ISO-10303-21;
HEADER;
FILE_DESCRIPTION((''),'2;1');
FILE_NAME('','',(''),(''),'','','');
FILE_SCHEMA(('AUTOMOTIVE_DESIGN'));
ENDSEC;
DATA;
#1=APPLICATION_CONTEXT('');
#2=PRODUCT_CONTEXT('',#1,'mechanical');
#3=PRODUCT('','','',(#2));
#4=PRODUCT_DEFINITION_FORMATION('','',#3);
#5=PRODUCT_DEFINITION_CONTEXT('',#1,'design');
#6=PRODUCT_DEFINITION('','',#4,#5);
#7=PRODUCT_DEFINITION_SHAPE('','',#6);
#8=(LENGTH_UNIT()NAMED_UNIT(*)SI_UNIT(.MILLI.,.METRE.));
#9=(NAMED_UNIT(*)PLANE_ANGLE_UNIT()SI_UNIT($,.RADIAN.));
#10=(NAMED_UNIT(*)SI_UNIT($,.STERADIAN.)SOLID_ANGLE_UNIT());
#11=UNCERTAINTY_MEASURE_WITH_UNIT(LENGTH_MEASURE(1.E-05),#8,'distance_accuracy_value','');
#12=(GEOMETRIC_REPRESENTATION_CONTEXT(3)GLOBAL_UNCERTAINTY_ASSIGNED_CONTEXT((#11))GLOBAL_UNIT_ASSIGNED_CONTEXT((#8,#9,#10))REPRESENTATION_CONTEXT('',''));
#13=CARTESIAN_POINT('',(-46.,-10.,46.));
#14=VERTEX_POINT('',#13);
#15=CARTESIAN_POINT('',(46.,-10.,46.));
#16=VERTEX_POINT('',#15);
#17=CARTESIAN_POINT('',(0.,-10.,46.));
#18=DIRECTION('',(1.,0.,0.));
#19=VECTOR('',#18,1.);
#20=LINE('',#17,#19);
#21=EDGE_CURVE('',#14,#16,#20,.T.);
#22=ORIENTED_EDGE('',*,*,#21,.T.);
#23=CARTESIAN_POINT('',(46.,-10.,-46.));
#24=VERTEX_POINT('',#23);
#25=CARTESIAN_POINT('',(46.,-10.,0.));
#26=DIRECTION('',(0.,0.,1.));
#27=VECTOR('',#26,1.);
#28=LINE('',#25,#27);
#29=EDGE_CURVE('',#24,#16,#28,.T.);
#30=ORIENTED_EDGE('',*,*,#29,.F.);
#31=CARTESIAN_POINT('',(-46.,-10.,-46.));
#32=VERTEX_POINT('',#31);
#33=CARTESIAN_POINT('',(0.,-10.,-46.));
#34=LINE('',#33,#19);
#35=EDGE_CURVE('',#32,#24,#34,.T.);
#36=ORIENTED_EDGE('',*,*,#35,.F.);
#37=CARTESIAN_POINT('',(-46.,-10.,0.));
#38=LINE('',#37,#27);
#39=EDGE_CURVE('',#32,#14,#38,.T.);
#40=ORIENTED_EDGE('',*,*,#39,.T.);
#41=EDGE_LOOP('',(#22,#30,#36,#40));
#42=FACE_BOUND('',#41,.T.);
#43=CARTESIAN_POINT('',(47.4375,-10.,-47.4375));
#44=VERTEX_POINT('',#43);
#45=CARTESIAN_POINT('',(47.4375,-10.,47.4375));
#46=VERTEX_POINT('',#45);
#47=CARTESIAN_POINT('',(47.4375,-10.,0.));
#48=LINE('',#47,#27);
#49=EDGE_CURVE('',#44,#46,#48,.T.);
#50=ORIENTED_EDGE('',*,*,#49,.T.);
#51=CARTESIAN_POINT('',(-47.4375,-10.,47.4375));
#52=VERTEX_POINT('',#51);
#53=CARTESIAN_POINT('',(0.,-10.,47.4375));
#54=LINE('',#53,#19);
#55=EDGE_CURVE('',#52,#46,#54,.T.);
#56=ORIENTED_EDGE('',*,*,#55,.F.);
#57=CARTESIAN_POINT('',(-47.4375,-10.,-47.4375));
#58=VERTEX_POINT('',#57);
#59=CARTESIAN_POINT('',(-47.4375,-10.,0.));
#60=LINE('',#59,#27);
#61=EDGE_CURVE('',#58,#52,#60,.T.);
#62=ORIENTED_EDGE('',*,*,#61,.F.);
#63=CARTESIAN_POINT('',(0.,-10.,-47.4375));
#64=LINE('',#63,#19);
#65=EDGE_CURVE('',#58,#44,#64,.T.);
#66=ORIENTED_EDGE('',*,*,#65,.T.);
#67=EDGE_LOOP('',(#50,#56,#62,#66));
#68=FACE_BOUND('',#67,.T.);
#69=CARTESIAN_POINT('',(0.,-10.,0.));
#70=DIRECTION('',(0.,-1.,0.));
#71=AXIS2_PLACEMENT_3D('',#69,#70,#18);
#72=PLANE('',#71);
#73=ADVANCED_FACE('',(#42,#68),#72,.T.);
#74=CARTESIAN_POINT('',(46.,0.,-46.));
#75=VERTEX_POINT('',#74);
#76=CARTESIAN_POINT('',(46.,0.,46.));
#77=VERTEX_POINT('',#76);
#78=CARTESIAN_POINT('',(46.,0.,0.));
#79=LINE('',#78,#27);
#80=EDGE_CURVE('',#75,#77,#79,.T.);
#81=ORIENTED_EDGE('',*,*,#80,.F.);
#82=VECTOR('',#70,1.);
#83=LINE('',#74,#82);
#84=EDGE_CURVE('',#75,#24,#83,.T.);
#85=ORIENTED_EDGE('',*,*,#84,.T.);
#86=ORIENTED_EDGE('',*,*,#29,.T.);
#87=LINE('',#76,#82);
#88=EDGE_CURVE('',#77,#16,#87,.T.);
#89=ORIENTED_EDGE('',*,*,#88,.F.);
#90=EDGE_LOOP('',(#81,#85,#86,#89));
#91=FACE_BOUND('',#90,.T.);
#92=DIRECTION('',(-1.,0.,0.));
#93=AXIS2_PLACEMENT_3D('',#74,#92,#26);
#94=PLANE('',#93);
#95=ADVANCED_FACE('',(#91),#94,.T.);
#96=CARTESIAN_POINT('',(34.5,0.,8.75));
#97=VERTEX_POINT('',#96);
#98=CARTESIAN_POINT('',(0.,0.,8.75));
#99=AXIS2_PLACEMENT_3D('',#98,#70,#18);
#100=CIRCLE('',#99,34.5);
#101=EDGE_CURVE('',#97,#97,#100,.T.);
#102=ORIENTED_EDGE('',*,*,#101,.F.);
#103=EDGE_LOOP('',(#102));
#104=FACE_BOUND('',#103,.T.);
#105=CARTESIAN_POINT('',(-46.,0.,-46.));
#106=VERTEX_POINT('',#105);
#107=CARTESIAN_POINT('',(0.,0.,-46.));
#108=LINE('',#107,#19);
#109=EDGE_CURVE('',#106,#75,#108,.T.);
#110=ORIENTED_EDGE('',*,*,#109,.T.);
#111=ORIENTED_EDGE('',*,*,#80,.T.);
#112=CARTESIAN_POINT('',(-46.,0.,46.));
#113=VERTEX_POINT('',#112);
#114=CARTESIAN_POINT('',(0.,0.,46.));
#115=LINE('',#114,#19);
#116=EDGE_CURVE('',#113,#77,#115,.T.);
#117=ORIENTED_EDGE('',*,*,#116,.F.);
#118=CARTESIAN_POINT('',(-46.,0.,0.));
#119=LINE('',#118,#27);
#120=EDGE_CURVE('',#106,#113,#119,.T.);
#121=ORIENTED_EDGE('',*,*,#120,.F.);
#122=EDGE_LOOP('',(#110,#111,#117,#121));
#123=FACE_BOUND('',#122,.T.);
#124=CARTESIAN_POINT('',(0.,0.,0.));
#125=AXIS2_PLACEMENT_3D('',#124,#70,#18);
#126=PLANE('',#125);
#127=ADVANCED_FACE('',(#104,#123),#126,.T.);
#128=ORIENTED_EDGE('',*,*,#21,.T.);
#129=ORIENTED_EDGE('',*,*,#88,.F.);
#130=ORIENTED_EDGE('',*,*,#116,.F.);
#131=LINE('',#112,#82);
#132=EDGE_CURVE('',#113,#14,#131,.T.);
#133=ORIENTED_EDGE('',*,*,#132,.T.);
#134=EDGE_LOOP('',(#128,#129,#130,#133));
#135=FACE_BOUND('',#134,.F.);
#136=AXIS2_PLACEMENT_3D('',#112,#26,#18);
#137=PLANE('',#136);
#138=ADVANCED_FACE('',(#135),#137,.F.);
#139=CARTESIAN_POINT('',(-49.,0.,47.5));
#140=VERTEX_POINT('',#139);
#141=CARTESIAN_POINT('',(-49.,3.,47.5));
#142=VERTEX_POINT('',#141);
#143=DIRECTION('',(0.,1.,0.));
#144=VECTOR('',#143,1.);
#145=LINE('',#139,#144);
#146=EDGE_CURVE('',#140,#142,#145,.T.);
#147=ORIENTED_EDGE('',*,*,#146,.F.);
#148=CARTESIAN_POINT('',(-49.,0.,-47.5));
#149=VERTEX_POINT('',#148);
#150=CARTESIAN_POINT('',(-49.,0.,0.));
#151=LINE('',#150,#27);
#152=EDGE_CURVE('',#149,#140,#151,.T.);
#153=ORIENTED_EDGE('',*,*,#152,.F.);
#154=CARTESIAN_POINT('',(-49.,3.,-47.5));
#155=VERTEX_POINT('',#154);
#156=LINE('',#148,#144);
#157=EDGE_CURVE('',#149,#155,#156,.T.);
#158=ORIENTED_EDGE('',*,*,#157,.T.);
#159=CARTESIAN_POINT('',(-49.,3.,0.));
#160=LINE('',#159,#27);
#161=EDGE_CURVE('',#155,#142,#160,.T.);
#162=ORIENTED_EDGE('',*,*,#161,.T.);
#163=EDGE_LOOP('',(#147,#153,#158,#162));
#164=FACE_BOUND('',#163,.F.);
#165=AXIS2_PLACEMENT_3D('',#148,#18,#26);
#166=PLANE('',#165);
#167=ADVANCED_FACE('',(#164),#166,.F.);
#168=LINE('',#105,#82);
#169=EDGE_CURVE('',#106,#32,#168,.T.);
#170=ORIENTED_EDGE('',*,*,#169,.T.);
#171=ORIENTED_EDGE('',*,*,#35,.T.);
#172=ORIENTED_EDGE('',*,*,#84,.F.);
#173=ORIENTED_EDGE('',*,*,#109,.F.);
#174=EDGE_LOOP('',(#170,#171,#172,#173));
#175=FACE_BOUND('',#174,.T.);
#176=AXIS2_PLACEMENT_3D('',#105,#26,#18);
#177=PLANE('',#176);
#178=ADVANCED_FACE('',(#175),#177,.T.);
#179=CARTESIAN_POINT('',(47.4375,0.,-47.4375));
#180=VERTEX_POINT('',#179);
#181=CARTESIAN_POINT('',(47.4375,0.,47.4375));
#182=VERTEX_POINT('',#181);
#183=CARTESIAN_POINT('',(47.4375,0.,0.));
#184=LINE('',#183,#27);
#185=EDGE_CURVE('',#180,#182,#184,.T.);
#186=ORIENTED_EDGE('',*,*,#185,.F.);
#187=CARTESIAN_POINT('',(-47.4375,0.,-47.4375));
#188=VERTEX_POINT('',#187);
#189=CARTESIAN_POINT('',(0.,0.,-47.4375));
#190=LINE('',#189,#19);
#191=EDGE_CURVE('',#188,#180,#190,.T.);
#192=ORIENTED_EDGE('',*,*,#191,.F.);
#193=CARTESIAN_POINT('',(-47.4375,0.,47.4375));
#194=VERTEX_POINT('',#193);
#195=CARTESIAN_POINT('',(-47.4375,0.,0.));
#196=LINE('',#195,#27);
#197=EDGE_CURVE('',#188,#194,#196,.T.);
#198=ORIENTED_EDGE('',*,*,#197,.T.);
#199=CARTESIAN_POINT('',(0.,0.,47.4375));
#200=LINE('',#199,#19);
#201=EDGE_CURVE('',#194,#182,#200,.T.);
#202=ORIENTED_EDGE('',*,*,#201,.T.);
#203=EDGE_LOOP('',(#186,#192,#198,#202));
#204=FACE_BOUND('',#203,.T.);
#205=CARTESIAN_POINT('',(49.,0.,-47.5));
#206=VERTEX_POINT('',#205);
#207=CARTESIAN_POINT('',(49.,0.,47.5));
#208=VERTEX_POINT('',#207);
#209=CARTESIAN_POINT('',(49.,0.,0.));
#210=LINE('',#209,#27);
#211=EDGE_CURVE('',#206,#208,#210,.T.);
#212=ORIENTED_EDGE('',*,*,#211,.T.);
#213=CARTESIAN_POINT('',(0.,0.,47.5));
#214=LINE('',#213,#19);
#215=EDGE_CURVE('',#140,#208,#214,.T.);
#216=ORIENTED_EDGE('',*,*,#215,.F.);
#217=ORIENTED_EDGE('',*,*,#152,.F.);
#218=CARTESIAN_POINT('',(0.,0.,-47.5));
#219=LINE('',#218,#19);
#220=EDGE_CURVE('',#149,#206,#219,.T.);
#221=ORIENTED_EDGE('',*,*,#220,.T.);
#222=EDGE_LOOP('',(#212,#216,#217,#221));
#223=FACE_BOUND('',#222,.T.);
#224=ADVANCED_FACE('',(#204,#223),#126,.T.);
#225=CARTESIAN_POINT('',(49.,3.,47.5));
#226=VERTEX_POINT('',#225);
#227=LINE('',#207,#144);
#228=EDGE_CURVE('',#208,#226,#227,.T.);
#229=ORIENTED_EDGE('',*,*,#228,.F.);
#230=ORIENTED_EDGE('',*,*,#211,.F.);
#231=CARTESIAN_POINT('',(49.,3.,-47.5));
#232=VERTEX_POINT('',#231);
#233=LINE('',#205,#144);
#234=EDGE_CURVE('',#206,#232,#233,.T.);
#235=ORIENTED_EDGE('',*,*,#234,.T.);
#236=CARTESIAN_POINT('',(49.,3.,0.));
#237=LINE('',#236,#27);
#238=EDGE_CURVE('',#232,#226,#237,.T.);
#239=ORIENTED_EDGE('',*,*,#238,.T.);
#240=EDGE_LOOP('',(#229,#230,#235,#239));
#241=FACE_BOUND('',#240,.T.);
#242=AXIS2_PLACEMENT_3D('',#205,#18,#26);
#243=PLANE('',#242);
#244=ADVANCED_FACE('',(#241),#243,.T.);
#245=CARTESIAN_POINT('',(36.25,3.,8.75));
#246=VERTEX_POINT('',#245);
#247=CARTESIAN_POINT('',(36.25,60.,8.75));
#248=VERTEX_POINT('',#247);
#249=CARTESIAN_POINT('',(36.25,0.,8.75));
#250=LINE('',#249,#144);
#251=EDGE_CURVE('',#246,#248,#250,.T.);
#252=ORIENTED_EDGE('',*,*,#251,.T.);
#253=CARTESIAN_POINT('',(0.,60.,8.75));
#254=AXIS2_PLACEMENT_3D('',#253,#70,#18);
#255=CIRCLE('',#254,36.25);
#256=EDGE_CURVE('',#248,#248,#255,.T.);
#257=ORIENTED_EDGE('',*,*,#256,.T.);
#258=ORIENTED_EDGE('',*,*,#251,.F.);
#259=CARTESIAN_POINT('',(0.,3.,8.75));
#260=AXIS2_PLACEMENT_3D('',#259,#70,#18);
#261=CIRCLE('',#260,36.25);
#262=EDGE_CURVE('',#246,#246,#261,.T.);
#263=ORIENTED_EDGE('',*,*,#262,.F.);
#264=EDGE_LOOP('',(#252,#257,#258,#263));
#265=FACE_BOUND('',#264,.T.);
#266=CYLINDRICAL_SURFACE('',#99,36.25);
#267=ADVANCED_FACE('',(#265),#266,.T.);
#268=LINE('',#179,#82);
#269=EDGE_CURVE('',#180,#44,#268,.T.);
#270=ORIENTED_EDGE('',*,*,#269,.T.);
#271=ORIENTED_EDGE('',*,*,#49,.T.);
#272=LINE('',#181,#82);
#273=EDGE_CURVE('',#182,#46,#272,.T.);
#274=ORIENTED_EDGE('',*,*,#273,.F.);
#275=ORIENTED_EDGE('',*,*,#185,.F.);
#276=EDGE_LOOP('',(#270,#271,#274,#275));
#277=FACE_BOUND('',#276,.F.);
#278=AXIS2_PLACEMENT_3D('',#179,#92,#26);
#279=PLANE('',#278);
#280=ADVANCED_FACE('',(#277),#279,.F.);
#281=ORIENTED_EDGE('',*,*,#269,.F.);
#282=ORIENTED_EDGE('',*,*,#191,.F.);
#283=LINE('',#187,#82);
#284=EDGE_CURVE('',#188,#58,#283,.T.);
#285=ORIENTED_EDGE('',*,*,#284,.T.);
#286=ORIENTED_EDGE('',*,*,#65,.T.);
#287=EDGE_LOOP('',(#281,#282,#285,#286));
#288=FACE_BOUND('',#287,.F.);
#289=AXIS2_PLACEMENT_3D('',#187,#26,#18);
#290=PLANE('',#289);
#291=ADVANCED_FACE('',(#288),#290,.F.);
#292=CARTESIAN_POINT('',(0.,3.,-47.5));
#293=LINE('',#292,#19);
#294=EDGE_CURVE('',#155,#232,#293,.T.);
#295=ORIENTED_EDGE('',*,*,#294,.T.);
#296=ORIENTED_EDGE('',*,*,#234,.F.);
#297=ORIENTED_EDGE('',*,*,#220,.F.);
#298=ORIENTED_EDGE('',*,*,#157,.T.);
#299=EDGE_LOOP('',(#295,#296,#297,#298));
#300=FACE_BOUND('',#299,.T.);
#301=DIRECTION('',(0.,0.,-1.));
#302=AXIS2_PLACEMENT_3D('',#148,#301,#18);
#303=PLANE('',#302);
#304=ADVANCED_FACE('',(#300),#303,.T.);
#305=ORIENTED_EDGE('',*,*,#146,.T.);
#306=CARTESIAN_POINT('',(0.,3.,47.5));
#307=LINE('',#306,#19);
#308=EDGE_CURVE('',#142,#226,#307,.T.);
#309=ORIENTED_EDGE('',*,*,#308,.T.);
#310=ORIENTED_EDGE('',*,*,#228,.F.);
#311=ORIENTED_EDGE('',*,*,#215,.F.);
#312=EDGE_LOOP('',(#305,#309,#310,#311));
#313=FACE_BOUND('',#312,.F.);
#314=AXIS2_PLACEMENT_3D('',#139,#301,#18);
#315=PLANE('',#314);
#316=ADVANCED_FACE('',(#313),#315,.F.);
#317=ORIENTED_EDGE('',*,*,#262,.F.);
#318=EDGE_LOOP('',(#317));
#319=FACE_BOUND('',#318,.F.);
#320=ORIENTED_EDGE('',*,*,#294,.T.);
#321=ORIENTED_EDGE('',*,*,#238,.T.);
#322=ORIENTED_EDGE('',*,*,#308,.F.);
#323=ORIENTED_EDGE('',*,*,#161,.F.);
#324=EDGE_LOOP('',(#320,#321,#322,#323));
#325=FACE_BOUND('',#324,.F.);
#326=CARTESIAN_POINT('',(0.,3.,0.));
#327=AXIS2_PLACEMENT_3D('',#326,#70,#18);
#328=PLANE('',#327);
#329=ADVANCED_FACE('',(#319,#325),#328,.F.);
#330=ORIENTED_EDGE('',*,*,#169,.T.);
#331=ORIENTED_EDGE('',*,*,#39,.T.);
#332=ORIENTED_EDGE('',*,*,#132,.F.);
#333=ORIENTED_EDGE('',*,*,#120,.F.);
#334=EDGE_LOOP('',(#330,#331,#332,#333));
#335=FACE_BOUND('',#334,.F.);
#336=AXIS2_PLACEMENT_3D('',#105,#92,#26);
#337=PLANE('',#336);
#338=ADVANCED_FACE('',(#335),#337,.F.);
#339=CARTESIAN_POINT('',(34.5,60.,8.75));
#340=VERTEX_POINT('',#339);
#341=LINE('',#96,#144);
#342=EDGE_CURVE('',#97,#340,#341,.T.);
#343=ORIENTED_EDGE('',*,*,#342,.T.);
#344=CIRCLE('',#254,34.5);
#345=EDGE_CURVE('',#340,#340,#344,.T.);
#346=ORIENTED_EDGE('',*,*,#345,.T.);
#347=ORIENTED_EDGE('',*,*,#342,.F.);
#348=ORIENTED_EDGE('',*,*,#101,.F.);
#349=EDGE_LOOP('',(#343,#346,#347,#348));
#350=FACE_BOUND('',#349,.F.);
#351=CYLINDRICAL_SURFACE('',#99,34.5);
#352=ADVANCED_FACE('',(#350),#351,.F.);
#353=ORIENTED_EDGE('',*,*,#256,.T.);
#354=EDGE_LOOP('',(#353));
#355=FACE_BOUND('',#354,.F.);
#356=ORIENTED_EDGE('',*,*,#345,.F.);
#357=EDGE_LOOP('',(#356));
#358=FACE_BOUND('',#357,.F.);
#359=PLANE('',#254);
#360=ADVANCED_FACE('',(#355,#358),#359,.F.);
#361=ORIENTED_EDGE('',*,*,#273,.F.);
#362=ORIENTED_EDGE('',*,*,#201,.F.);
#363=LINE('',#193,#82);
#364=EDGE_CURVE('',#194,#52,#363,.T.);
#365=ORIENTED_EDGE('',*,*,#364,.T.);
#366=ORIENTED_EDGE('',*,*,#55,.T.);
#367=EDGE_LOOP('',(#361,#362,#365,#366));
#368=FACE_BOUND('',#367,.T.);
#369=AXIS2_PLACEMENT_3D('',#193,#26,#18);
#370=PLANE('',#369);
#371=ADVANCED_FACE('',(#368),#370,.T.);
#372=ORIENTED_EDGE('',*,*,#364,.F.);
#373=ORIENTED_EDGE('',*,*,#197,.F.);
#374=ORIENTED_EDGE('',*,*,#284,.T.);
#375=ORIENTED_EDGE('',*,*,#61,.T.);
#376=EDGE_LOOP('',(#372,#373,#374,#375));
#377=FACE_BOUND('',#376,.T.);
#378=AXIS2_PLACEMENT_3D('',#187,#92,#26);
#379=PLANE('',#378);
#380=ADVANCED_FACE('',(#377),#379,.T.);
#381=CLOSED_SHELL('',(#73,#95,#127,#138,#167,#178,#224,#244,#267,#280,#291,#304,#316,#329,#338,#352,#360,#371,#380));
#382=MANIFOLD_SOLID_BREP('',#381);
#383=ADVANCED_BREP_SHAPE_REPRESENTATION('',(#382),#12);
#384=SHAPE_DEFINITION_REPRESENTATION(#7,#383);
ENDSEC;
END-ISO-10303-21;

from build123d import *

# Parameters (mm, degrees)
F0_W     = 98
F0_H     = 95
F1_DEPTH = 3
F2_R     = 36.25
F2_R_2   = 33.25
F3_DEPTH = 4
F4_R     = 36.25
F4_R_2   = 34.5
F5_DEPTH = 60
F6_W     = 94.875
F6_H     = 94.875
F6_W_2   = 92
F6_H_2   = 92
F7_DEPTH = 10


with BuildPart() as f1:
    # F0 (on Front) → F1 (new body)
    with BuildSketch(Plane.XZ):
        Rectangle(F0_W, F0_H)
    extrude(amount=-F1_DEPTH)

    # F2 (on Front) → F3 (cut)
    with BuildSketch(Plane.XZ):
        with Locations((0, 8.75)):
            Circle(F2_R)
        with Locations((0, 8.75)):
            Circle(F2_R_2, mode=Mode.SUBTRACT)
        with Locations((0, 8.75)):
            Circle(F2_R_2)
    extrude(amount=-F3_DEPTH, mode=Mode.SUBTRACT)

    # F4 (on face) → F5 (join)
    with BuildSketch(Plane.XZ):
        with Locations((0, 8.75)):
            Circle(F4_R)
        with Locations((0, 8.75)):
            Circle(F4_R_2, mode=Mode.SUBTRACT)
    extrude(amount=-F5_DEPTH)

    # F6 (on Front) → F7 (join)
    with BuildSketch(Plane.XZ):
        Rectangle(F6_W, F6_H)
        Rectangle(F6_W_2, F6_H_2, mode=Mode.SUBTRACT)
    extrude(amount=F7_DEPTH)


solid = f1.part
